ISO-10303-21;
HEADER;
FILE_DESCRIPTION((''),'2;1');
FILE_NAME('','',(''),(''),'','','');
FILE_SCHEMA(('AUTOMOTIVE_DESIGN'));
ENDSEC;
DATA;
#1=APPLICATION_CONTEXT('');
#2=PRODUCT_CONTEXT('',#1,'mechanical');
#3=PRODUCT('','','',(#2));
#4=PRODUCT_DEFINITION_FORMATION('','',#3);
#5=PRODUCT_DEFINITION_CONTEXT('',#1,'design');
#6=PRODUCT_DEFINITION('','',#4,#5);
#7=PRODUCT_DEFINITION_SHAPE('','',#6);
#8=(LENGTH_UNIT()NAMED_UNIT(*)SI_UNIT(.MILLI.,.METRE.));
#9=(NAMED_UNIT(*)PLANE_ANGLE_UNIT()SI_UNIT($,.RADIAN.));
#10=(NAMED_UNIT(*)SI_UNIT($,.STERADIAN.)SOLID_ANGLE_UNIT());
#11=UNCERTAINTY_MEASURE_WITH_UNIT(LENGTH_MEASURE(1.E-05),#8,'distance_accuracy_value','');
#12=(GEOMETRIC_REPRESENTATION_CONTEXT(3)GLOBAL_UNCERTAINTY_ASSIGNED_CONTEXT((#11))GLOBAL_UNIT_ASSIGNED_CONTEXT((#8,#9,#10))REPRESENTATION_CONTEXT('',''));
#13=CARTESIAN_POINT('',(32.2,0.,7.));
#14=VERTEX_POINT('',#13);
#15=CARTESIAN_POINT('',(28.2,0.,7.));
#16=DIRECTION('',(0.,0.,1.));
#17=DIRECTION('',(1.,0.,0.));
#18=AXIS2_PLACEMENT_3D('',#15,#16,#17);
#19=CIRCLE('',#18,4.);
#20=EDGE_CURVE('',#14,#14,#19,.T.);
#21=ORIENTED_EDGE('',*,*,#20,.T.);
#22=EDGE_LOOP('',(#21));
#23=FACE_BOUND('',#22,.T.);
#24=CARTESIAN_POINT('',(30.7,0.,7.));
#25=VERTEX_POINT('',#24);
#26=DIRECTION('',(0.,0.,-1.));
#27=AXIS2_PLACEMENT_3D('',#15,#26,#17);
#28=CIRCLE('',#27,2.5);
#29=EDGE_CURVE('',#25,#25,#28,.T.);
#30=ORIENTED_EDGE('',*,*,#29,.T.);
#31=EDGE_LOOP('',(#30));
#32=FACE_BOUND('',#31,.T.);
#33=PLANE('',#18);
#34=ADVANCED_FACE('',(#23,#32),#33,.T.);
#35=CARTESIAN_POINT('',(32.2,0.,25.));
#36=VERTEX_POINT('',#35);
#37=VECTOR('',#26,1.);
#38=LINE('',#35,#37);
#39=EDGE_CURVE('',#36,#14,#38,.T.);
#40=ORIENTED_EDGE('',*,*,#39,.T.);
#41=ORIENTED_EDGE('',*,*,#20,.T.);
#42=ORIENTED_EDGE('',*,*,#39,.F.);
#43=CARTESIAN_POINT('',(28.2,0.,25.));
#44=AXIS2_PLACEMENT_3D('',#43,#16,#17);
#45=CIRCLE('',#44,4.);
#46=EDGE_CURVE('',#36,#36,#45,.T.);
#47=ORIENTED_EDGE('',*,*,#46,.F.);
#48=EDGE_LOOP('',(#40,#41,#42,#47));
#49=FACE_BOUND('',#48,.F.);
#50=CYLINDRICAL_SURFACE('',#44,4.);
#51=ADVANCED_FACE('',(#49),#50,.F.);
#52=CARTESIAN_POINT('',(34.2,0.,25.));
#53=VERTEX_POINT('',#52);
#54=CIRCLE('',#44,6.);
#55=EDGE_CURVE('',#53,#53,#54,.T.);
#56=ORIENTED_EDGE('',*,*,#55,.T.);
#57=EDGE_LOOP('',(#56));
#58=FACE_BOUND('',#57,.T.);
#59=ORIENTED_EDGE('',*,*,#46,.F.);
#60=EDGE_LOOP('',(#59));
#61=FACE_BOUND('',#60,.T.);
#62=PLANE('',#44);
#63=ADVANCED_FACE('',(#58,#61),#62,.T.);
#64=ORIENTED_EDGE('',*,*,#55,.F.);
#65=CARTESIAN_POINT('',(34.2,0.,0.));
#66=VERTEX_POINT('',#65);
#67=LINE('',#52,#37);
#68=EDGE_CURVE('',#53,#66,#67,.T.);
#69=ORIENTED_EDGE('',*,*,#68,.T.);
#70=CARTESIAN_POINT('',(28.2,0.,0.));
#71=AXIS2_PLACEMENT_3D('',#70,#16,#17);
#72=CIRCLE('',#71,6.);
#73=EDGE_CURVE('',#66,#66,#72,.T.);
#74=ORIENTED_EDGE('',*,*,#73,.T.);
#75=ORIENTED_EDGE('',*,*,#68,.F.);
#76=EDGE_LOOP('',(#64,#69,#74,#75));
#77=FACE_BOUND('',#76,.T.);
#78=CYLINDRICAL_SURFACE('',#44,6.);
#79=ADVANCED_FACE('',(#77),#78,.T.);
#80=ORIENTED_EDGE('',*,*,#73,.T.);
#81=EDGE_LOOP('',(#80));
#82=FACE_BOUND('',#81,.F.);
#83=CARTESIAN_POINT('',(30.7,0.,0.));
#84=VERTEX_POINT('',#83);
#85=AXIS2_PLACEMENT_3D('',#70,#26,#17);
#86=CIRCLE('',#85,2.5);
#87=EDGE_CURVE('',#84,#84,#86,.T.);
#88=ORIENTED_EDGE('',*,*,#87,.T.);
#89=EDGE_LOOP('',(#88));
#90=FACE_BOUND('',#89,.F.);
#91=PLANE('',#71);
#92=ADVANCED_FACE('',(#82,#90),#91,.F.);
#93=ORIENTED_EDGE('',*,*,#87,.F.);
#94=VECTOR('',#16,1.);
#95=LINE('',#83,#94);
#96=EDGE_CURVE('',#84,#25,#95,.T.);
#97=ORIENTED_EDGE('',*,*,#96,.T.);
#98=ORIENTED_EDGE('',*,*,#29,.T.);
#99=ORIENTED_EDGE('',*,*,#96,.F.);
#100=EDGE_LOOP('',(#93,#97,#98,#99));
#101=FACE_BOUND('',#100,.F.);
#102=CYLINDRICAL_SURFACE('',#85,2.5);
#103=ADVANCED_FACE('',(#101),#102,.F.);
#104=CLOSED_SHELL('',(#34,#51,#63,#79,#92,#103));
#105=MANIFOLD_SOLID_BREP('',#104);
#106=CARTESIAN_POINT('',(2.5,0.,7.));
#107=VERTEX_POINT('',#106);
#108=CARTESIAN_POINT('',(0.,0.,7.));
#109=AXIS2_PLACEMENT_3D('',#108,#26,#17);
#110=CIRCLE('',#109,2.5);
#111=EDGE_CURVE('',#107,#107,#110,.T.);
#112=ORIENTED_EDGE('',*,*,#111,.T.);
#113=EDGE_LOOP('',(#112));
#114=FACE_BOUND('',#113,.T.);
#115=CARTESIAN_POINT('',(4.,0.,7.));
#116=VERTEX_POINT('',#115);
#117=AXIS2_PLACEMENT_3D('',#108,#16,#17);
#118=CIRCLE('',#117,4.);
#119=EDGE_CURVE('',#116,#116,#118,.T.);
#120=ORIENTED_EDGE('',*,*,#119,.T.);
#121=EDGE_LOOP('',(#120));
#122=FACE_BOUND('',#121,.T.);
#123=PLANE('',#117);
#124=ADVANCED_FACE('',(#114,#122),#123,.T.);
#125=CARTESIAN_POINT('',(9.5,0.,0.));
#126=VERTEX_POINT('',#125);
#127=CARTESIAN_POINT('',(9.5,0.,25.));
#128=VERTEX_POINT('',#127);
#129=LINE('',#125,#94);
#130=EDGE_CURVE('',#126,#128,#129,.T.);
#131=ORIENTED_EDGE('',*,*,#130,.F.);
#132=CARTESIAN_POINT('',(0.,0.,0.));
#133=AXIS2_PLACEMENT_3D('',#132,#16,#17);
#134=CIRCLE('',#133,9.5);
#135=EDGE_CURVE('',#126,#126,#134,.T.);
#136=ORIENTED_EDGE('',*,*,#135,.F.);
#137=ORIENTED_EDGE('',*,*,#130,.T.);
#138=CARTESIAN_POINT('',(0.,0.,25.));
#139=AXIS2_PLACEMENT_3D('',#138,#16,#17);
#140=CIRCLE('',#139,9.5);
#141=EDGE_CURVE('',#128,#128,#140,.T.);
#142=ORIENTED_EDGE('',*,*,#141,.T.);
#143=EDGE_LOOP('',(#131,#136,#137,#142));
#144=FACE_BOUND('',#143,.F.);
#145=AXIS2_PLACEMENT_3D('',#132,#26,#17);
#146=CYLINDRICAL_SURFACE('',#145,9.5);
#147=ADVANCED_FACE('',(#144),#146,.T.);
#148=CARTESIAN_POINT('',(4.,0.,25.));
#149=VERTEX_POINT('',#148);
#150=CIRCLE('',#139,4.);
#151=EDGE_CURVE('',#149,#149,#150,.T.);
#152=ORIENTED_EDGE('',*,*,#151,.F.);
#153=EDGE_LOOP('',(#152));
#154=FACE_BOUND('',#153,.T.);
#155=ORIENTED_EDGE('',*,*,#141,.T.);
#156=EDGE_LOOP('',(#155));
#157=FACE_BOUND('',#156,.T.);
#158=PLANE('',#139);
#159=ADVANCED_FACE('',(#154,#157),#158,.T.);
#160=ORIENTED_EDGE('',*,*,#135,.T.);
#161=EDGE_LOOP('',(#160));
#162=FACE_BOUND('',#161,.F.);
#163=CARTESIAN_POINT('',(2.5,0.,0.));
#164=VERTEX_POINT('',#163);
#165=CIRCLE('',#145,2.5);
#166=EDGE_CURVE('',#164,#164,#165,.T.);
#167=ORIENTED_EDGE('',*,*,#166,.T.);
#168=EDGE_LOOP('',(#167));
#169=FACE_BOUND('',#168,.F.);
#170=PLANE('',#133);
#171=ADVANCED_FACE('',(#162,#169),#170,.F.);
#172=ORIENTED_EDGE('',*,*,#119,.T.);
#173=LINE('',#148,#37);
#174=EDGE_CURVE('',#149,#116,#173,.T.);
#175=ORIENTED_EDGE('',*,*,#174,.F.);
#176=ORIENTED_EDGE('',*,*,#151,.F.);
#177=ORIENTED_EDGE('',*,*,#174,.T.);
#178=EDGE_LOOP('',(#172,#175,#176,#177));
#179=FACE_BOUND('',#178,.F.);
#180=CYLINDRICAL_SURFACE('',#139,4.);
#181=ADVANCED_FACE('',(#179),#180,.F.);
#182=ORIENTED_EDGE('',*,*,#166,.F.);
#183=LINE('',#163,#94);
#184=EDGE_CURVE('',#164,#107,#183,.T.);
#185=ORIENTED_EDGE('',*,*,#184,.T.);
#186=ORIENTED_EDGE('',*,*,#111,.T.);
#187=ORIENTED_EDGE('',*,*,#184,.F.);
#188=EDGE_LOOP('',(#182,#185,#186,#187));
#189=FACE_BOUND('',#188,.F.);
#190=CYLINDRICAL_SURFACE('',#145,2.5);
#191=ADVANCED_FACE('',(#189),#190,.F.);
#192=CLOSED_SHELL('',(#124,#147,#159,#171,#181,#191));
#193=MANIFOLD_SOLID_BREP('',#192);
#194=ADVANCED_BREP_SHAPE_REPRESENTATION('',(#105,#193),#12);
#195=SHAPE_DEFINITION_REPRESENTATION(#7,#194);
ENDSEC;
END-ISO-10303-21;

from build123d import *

# Parameters (mm, degrees)
F0_R     = 9.5
F1_DEPTH = 25
F2_R     = 4
F3_DEPTH = 18
F4_R     = 2.5
F5_DEPTH = 25
F7_R     = 9.5
F7_R_2   = 6
F8_DEPTH = 25


with BuildPart() as f1:
    # F0 (on Top) → F1 (new body)
    with BuildSketch(Plane.XY):
        Circle(F0_R)
    extrude(amount=F1_DEPTH)

    # F2 (on face) → F3 (cut)
    with BuildSketch(Plane.XY.offset(25)):
        Circle(F2_R)
    extrude(amount=-F3_DEPTH, mode=Mode.SUBTRACT)

    # F4 (on face) → F5 (cut)
    with BuildSketch(Plane(origin=(0, 0, 0), x_dir=(1, 0, 0), z_dir=(0, 0, -1))):
        Circle(F4_R)
    extrude(amount=-F5_DEPTH, mode=Mode.SUBTRACT)


with BuildPart() as f6_1:
    # F6: copy of F1
    add(f1.part.moved(Location((28.2, 0, 0))))

    # F7 (on face) → F8 (cut)
    with BuildSketch(Plane.XY.offset(25)):
        with Locations((28.2, 0)):
            Circle(F7_R)
        with Locations((28.2, 0)):
            Circle(F7_R_2, mode=Mode.SUBTRACT)
    extrude(amount=-F8_DEPTH, mode=Mode.SUBTRACT)


solid = Compound([f1.part, f6_1.part])
